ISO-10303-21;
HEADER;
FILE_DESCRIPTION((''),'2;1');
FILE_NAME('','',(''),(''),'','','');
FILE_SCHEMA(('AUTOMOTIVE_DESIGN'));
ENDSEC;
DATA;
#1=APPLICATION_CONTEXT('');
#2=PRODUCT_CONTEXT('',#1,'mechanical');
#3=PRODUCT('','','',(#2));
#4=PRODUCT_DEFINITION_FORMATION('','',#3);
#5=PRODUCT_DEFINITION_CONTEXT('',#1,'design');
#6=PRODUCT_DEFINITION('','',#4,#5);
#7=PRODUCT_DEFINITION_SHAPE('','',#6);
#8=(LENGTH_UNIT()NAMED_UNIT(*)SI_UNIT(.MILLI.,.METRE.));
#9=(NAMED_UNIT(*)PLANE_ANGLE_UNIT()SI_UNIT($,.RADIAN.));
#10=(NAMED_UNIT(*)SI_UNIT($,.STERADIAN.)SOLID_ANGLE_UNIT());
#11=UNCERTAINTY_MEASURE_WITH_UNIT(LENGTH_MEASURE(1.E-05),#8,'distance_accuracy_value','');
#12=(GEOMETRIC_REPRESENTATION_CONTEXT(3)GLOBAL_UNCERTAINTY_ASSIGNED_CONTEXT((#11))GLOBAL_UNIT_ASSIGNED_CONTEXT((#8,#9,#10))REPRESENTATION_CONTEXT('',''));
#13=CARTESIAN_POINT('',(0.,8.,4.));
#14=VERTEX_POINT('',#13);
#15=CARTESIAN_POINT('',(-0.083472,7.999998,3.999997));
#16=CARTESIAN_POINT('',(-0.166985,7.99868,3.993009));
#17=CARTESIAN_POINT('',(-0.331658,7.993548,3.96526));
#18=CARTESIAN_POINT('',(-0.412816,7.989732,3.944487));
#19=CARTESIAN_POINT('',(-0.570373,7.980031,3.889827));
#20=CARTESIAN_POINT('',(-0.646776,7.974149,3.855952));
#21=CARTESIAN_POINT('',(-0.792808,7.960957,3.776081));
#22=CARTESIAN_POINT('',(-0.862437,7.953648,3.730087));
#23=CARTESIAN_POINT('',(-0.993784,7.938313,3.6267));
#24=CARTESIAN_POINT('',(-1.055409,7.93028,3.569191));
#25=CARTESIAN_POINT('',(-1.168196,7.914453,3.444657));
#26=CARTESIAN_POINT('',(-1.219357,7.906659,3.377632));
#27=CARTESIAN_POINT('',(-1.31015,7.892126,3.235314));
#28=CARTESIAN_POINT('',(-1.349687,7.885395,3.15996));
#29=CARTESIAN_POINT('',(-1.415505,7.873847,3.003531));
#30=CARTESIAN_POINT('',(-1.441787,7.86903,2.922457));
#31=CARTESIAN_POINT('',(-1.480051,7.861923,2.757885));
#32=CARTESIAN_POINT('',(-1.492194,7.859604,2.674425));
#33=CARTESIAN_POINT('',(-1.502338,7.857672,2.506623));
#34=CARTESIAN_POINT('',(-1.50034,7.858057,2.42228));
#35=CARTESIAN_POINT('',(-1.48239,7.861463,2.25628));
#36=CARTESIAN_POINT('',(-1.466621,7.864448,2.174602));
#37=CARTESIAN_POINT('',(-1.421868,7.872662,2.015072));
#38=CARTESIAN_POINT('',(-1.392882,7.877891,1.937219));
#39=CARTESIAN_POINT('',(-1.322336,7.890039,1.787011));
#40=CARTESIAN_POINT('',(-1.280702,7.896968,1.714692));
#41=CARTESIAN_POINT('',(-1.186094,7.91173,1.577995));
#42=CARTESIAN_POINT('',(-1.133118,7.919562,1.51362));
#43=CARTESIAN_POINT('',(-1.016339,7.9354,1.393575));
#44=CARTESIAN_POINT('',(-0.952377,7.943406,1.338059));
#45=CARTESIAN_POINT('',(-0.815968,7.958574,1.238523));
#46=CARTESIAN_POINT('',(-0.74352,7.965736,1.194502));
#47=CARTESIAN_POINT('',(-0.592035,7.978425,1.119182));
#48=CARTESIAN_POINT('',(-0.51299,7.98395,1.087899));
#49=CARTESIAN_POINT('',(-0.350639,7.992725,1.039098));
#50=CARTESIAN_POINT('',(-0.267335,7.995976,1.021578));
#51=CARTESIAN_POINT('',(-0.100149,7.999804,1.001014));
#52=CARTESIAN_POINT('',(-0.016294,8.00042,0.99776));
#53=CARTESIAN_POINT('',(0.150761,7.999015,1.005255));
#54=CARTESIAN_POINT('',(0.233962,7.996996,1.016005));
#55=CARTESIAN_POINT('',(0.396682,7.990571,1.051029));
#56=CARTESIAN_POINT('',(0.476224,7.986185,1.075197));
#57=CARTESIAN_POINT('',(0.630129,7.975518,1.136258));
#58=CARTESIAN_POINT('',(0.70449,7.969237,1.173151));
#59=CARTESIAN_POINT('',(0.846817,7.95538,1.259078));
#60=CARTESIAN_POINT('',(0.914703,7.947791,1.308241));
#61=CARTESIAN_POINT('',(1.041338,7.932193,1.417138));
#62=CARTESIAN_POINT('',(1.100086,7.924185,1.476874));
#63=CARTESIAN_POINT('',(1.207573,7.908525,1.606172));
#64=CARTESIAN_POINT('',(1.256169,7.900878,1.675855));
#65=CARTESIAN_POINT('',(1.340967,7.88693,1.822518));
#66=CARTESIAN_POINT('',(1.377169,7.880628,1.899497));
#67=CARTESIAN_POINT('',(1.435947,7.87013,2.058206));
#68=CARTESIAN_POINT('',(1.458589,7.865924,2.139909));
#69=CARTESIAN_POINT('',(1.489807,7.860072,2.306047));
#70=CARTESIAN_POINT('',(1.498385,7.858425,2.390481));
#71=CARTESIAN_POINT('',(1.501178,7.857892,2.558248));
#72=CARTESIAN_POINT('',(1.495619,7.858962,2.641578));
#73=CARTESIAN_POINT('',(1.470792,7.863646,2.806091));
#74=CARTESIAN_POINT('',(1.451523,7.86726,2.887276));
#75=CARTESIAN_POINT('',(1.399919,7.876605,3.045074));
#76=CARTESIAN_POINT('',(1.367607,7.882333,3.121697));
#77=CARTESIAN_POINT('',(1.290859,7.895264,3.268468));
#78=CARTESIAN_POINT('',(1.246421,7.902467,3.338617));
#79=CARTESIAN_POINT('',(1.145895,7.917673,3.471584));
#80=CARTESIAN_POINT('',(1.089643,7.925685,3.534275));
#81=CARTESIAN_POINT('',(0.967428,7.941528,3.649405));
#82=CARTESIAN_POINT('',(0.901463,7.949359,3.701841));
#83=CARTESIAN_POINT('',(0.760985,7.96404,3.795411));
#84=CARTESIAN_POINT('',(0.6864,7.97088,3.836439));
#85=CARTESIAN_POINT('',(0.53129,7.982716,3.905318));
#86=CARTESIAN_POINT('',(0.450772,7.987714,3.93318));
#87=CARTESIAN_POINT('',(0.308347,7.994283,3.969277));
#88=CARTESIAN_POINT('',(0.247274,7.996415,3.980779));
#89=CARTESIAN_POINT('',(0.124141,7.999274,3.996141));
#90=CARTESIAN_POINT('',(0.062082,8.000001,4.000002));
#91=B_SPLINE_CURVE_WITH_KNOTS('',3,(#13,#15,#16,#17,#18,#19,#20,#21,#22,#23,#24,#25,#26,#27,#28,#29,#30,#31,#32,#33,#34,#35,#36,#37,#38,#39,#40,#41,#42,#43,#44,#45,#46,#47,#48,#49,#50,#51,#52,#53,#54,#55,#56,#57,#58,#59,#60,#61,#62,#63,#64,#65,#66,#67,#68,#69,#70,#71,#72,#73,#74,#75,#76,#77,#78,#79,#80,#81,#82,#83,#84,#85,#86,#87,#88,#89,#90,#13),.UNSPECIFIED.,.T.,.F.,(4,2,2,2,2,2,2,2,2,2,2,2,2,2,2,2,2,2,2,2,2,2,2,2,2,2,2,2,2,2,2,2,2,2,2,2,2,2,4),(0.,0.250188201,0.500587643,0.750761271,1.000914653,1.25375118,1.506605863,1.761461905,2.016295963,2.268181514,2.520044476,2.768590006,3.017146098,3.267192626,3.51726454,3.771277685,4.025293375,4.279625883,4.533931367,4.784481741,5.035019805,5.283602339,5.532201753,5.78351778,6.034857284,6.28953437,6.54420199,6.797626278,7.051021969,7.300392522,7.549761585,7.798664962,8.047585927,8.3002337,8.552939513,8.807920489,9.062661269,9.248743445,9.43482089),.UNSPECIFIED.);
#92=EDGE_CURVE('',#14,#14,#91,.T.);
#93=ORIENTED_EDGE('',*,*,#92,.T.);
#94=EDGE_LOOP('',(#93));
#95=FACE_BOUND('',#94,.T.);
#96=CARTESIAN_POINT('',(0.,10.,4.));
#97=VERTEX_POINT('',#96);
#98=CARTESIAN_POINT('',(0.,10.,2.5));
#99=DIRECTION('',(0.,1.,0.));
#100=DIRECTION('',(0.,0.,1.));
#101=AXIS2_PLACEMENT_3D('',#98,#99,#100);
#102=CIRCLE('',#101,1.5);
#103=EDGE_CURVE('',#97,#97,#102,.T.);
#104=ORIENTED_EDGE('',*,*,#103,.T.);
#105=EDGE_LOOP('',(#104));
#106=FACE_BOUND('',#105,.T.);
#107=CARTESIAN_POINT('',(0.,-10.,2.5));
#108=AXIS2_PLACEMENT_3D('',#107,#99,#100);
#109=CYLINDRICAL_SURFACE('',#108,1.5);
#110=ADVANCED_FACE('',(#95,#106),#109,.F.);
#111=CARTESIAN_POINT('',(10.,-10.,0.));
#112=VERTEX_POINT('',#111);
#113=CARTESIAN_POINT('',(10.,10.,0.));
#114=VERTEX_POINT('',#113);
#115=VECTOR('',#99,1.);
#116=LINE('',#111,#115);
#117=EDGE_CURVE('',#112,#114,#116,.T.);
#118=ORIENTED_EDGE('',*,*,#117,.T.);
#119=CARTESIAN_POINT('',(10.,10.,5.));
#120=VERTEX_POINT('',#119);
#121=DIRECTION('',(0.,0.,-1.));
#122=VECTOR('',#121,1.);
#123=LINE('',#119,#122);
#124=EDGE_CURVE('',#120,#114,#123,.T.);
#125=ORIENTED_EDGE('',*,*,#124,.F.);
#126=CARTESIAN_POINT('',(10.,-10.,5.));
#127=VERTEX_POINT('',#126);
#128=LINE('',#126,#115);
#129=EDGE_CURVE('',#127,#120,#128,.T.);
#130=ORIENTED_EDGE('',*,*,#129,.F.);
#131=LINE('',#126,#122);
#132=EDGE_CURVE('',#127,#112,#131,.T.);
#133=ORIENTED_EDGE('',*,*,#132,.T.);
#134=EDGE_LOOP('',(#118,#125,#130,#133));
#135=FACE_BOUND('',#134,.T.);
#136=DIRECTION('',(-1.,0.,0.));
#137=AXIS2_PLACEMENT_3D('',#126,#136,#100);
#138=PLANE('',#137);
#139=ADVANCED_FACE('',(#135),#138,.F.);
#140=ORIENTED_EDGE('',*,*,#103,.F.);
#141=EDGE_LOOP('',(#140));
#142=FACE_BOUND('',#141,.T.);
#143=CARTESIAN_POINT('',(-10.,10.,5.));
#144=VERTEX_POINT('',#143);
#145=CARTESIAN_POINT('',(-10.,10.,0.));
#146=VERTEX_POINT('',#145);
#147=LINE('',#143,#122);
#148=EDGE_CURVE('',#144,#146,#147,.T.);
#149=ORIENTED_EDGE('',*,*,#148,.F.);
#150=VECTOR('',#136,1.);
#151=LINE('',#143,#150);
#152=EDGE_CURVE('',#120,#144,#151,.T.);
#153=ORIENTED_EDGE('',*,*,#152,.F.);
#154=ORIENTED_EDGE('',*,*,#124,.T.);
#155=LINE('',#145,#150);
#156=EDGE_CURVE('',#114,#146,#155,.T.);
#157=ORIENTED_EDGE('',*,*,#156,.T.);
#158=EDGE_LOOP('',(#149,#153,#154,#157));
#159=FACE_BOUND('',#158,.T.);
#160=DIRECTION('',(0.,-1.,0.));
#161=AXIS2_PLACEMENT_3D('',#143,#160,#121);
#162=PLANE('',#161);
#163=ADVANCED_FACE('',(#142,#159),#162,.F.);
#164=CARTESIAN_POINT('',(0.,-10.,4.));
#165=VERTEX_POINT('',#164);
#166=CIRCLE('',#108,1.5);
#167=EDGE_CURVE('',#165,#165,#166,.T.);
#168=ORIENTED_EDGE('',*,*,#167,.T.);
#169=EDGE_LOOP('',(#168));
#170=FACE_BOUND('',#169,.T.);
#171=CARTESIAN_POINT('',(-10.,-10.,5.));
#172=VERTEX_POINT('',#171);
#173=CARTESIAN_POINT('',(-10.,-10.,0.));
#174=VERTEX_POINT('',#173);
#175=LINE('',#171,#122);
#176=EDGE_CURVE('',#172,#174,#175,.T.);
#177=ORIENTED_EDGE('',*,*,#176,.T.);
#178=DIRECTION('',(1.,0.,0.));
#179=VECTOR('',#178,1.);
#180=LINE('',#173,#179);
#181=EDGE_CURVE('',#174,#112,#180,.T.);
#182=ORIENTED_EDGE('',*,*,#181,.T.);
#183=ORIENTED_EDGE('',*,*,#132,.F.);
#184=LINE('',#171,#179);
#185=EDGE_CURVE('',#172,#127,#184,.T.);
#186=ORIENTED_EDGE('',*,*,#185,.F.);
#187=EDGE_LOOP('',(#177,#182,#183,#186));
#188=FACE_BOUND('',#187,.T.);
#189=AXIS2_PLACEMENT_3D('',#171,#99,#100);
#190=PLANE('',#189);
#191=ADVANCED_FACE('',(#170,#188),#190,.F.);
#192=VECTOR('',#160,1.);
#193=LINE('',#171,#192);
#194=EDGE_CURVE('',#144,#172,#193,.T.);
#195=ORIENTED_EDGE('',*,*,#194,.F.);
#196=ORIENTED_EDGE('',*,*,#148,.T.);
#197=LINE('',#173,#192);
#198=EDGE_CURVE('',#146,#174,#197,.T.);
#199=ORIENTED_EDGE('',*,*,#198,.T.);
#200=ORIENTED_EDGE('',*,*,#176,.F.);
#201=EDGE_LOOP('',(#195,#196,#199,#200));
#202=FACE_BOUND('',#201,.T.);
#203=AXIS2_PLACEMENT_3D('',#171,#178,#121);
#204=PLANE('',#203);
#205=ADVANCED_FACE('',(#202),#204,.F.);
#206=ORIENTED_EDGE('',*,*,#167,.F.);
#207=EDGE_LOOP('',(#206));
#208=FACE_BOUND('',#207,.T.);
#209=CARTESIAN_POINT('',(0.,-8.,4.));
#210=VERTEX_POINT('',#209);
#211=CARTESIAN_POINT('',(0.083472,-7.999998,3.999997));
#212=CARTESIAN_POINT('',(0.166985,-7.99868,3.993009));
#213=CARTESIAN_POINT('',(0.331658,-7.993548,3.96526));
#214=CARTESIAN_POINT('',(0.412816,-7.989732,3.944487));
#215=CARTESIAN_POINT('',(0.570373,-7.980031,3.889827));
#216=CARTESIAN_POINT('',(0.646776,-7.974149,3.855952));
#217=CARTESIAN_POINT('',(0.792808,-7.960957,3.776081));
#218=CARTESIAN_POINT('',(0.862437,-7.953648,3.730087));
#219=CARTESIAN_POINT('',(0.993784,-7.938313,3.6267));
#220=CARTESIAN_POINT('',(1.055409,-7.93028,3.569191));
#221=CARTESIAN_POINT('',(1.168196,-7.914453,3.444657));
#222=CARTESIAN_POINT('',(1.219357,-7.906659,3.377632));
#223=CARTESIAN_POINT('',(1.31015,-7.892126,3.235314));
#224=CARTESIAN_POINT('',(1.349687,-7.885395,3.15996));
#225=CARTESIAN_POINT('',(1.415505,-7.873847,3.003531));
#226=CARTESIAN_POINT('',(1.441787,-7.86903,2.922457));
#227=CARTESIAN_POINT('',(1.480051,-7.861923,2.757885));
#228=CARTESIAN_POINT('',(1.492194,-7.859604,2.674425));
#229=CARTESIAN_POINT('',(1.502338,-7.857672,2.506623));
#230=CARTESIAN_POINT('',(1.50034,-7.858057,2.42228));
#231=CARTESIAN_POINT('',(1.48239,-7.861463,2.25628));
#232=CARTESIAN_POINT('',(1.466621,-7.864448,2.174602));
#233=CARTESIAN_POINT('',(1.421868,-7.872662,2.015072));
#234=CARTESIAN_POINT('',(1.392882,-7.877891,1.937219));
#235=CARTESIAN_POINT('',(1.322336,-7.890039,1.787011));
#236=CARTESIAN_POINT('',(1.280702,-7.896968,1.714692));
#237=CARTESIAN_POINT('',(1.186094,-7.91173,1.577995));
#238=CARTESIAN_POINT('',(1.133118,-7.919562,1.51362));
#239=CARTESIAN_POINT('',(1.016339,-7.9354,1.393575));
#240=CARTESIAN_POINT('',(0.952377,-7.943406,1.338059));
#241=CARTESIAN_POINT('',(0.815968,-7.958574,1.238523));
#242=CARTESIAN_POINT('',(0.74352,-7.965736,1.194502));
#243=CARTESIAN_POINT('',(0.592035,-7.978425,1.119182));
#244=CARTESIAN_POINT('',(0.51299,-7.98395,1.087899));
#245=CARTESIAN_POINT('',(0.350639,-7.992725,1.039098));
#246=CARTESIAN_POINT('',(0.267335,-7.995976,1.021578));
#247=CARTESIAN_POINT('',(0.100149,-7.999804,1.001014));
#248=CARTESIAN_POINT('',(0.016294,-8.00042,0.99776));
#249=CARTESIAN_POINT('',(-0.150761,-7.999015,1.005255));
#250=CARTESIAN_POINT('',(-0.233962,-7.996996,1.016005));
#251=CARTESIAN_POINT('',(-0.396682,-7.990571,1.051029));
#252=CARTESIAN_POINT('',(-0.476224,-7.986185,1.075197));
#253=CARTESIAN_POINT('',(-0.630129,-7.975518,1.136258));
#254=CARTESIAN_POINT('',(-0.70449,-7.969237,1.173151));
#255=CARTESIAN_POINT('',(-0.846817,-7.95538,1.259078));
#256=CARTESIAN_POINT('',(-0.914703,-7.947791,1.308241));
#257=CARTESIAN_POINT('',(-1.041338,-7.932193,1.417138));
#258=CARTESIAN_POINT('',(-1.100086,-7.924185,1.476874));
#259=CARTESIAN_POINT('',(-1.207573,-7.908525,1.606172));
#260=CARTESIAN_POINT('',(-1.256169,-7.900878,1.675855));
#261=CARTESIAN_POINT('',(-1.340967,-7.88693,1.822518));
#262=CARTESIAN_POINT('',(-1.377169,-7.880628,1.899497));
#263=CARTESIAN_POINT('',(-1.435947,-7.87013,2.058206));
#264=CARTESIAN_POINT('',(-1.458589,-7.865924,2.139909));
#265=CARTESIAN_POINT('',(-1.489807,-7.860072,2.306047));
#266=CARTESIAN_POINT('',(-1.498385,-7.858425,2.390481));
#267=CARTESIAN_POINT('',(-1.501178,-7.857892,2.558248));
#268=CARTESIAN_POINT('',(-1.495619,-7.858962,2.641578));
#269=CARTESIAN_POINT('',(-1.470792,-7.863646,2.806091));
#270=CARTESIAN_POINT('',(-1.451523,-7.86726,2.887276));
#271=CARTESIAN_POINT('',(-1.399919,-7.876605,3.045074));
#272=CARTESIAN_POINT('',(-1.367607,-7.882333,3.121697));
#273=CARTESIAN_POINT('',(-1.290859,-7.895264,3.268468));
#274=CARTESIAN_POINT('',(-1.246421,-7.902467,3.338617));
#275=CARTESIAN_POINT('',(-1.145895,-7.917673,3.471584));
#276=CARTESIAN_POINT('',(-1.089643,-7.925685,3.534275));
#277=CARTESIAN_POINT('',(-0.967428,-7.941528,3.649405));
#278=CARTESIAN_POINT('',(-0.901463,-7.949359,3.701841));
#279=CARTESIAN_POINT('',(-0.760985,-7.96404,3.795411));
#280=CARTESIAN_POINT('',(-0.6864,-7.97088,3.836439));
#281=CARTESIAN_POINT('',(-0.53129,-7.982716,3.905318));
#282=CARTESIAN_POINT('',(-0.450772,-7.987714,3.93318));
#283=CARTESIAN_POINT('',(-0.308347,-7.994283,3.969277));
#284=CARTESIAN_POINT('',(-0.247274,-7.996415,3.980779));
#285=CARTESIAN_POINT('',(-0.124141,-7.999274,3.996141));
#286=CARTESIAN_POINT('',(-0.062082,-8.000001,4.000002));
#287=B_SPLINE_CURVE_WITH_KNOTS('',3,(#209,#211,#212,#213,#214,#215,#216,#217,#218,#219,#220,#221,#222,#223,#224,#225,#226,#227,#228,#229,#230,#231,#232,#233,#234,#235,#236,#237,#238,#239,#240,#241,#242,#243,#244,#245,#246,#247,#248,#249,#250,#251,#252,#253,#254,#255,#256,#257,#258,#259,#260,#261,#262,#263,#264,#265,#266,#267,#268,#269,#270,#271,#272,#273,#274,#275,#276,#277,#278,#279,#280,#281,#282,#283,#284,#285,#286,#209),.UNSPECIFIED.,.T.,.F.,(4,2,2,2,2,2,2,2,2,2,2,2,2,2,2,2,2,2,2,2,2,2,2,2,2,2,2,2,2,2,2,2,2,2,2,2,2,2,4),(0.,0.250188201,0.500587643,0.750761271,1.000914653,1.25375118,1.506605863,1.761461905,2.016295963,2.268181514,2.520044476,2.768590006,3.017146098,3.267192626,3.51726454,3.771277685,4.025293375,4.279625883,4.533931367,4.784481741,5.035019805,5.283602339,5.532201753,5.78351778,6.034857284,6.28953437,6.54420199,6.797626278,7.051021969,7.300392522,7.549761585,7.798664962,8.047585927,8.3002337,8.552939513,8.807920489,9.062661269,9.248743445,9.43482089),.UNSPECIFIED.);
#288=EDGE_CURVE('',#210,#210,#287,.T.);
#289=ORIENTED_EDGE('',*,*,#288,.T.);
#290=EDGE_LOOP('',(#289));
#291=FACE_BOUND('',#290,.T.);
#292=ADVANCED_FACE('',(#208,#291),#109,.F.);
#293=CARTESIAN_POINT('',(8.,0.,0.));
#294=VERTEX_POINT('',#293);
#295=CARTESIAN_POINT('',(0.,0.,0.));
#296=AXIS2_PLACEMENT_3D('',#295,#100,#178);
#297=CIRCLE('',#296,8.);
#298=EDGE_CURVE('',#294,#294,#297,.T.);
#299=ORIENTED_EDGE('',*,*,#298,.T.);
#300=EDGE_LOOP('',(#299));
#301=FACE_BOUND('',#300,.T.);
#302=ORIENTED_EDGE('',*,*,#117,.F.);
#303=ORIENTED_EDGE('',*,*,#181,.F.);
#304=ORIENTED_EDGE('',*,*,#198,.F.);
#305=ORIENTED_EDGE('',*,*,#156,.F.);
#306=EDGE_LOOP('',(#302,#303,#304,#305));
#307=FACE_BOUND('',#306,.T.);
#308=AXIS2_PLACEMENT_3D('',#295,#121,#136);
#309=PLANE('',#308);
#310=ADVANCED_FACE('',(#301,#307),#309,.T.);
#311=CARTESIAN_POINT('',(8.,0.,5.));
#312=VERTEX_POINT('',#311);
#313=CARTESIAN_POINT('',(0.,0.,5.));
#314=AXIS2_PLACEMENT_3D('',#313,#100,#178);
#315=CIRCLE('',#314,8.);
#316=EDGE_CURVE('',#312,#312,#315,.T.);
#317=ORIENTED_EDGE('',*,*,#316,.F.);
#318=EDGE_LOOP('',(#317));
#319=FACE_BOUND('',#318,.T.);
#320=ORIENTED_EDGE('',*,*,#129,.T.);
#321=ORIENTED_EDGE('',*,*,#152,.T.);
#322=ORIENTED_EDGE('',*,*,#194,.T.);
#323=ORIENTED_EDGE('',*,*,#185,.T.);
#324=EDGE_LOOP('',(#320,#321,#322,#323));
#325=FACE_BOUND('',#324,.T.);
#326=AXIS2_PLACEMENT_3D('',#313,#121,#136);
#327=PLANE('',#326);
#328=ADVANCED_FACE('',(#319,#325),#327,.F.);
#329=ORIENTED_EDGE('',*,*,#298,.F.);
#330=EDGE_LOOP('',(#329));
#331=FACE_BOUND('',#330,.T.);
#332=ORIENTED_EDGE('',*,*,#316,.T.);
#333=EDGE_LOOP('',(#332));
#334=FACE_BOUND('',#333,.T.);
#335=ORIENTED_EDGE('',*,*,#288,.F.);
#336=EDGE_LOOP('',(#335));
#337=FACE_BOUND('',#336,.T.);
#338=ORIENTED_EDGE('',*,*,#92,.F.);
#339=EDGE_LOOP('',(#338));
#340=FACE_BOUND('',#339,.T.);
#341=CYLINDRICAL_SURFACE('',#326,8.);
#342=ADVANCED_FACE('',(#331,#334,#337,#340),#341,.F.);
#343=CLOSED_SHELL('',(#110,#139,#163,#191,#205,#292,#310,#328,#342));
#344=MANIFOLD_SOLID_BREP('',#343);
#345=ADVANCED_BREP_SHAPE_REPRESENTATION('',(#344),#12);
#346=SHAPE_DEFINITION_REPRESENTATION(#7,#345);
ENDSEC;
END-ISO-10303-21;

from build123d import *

# Parameters (mm, degrees)
SKETCH1_W           = 20
SKETCH1_H           = 20
SKETCH1_R           = 8
BOSS_EXTRUDE1_DEPTH = 5
SKETCH3_R           = 1.5
CUT_EXTRUDE1_DEPTH  = 20


with BuildPart() as part:
    # Sketch1 → Boss-Extrude1 (new body)
    with BuildSketch(Plane.XY):
        Rectangle(SKETCH1_W, SKETCH1_H)
        Circle(SKETCH1_R, mode=Mode.SUBTRACT)
    extrude(amount=BOSS_EXTRUDE1_DEPTH)

    # Sketch3 → Cut-Extrude1 (cut)
    with BuildSketch(Plane(origin=(0, 10, 0), x_dir=(1, 0, 0), z_dir=(0, 1, 0))):
        with Locations(Location((0, -2.5, 0), (0, 0, 270))):
            Circle(SKETCH3_R)
    extrude(amount=-CUT_EXTRUDE1_DEPTH, mode=Mode.SUBTRACT)


solid = part.part
